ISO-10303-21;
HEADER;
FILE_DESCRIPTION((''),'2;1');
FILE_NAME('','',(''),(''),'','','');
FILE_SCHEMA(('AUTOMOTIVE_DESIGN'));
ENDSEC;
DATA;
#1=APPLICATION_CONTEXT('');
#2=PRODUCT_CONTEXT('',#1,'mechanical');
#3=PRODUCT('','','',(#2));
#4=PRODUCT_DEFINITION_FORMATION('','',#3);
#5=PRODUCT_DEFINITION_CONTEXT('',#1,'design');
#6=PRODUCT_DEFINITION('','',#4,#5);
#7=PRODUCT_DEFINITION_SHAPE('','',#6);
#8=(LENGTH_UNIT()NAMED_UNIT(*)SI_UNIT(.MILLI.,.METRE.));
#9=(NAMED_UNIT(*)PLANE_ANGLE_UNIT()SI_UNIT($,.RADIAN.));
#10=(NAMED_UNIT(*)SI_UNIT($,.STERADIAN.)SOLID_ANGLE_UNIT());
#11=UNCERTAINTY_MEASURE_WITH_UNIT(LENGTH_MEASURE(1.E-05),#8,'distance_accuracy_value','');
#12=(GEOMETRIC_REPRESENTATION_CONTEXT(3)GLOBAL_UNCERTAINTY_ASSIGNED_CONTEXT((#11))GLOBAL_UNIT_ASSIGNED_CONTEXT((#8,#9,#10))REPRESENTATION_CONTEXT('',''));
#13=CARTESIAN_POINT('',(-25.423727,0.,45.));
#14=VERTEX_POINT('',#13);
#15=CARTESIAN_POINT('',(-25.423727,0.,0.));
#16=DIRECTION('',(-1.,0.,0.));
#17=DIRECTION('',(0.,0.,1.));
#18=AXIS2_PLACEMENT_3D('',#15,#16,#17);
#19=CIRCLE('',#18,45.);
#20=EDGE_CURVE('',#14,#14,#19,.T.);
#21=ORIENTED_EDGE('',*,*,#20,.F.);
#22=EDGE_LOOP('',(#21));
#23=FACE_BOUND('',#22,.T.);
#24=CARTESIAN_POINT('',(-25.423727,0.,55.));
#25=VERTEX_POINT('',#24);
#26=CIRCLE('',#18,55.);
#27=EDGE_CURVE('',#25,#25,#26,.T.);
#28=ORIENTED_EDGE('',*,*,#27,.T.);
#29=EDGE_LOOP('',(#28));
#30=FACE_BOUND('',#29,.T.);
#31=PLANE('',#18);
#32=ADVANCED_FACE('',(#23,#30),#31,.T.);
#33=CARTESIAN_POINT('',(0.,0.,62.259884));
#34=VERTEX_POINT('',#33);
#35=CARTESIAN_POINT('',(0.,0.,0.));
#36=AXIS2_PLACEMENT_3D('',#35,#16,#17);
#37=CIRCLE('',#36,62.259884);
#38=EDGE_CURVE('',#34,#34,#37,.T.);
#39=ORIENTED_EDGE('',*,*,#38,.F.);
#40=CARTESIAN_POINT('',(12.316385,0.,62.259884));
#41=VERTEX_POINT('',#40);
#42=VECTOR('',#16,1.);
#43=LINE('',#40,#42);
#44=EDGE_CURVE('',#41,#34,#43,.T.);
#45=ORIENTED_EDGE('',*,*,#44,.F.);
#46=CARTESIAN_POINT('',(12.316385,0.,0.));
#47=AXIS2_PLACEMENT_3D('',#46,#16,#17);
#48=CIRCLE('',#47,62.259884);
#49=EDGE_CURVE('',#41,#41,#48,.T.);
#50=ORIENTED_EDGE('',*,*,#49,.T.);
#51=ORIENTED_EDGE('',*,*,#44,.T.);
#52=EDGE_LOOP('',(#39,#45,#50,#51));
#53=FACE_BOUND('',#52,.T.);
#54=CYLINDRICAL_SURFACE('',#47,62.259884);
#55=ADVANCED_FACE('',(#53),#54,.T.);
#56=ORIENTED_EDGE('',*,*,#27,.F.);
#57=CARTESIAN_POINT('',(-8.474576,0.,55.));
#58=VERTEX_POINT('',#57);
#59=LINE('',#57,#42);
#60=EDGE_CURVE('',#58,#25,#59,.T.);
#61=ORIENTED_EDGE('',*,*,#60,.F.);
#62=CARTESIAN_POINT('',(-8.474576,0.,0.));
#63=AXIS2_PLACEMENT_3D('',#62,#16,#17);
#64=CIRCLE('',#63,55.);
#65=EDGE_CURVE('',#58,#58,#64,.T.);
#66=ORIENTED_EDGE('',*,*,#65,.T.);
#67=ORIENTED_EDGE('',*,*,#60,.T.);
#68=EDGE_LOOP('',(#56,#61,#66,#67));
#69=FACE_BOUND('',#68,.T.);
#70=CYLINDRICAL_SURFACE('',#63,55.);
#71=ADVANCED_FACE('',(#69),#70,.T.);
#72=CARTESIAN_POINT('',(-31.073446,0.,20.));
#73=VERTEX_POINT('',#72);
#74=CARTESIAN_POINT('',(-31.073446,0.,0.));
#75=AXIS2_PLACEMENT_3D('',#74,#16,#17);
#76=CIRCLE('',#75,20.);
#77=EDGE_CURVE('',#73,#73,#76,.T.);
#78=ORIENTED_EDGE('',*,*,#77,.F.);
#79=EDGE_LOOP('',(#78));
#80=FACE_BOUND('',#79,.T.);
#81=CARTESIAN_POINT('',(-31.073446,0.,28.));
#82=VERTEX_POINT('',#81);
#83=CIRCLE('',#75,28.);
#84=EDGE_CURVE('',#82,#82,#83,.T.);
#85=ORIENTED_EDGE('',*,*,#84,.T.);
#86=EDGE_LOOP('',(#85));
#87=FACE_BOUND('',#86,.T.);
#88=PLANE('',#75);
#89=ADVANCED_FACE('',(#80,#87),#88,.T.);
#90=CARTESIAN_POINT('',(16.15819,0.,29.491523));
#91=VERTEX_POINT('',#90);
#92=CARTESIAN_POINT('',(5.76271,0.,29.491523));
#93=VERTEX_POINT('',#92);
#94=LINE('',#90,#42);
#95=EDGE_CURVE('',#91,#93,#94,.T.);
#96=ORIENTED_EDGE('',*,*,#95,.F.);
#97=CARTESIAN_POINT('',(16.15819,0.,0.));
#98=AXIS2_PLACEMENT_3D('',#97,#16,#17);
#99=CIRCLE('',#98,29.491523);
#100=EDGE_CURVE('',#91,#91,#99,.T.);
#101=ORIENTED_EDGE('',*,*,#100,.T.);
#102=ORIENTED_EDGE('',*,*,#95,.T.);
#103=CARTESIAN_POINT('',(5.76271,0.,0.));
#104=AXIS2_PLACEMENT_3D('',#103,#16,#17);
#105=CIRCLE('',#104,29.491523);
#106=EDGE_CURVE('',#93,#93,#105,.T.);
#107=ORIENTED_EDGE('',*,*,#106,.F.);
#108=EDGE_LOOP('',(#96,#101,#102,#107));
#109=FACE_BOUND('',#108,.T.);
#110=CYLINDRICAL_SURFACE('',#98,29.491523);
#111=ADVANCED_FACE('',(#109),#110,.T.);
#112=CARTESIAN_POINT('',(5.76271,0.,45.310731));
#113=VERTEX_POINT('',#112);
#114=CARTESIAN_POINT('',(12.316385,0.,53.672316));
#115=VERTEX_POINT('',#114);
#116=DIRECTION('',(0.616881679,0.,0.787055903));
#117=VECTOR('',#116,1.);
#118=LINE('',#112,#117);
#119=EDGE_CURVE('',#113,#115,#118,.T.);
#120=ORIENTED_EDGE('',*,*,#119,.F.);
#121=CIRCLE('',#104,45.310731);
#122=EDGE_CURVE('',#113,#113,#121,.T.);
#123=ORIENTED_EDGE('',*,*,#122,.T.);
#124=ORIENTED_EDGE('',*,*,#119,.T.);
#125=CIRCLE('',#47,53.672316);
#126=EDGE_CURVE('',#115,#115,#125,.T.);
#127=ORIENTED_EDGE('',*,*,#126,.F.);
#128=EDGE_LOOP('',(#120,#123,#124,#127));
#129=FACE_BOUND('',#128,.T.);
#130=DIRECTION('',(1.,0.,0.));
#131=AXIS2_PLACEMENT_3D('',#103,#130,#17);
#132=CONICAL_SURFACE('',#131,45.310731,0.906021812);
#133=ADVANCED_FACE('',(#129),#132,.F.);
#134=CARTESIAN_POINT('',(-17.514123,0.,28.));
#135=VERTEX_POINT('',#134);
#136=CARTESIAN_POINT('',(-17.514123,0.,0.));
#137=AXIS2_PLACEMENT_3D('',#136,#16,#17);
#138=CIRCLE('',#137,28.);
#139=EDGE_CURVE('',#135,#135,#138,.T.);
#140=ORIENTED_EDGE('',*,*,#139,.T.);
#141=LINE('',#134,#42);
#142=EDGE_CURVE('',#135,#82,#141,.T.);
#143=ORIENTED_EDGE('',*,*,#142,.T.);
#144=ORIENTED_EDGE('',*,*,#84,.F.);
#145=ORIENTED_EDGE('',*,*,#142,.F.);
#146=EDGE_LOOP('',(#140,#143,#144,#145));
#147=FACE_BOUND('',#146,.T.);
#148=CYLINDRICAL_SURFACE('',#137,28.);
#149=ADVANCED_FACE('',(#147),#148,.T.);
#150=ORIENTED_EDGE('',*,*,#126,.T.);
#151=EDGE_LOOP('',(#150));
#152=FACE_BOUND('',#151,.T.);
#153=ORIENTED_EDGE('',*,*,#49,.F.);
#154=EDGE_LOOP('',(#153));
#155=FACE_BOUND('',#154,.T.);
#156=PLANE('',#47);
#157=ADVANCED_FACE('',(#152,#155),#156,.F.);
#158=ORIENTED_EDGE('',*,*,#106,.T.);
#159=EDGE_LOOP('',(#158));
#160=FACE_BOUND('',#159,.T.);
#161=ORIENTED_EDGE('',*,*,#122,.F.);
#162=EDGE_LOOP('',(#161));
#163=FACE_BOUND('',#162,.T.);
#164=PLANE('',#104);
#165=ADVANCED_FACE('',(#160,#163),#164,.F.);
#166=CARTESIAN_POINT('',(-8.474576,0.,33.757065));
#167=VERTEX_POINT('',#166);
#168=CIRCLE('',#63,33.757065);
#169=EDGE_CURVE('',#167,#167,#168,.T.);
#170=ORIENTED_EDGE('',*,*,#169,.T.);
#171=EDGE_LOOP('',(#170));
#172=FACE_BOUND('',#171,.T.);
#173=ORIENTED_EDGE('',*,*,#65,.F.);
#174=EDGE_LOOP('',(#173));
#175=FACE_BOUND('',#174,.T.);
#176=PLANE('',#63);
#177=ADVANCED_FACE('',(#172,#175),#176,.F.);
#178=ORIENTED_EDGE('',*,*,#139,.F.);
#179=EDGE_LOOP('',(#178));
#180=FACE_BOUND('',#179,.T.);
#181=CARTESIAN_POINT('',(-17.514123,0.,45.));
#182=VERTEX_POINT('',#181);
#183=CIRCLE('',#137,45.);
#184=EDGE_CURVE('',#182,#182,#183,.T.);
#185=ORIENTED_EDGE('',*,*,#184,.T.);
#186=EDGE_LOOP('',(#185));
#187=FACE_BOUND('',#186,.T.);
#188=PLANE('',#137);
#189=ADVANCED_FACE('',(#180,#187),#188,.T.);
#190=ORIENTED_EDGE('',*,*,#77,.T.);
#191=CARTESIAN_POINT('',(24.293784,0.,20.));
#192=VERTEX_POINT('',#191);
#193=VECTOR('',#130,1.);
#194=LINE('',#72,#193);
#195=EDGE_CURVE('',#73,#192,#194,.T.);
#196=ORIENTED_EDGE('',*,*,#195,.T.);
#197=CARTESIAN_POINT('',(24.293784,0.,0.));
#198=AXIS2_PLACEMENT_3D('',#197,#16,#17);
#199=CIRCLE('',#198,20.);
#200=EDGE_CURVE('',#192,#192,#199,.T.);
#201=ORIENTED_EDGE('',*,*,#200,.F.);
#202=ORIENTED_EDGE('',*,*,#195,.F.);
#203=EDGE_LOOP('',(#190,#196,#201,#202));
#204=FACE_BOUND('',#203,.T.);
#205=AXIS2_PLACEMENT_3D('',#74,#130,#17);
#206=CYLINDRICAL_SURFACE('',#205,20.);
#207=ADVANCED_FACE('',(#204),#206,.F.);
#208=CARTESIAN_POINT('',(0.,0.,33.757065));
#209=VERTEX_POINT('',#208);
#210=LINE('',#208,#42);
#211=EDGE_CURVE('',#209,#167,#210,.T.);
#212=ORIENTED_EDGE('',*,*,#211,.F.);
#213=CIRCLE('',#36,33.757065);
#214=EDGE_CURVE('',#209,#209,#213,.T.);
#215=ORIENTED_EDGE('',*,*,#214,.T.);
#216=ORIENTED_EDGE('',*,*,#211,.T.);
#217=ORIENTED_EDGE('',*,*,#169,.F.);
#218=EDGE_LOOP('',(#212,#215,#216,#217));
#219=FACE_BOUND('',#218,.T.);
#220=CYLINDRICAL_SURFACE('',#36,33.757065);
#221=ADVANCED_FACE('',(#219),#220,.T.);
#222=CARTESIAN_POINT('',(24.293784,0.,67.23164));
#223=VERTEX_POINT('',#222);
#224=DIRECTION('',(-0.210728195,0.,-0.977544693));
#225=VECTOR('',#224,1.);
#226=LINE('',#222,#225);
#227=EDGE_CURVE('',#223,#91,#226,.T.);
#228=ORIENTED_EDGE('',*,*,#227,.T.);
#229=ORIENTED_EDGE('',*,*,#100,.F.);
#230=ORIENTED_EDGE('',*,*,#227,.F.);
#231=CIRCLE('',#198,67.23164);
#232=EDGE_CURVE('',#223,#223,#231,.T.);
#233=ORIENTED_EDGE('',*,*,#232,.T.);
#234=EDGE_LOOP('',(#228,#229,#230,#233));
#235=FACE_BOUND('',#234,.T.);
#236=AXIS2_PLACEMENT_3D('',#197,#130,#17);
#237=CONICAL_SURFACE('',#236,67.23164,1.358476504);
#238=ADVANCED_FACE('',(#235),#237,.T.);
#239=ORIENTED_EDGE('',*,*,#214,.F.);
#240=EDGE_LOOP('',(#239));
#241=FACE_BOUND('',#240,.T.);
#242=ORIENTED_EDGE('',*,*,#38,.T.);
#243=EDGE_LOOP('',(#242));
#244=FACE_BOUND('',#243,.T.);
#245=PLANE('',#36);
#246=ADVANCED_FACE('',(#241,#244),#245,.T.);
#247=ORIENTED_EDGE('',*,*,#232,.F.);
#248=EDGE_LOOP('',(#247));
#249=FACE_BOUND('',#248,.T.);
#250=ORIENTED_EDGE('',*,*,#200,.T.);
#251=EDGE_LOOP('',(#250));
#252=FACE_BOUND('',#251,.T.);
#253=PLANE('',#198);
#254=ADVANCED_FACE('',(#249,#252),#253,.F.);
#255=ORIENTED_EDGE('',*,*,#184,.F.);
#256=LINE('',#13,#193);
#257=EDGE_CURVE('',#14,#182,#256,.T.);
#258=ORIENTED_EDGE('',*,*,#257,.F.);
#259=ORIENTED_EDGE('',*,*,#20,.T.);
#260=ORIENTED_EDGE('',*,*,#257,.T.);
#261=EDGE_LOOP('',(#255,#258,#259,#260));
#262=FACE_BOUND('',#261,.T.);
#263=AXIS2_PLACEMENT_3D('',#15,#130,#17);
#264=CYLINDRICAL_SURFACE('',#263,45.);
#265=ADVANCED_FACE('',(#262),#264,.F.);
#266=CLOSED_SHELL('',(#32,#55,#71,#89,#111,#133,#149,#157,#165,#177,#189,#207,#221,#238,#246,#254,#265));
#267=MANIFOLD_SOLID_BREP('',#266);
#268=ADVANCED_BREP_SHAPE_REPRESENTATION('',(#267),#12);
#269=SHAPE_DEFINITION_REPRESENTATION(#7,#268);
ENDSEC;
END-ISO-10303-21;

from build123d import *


with BuildPart() as f1:
    # F0 (on Front) → F1 (revolve)
    with BuildSketch(Plane.XZ):
        Polygon((24.293784, 20), (24.293784, 67.23164), (16.15819, 29.491523), (5.76271, 29.491523), (5.76271, 45.310731), (12.316385, 53.672316), (12.316385, 62.259884), (0, 62.259884), (0, 33.757065), (-8.474576, 33.757065), (-8.474576, 55), (-25.423727, 55), (-25.423727, 45), (-17.514123, 45), (-17.514123, 28), (-31.073446, 28), (-31.073446, 20), align=None)
    revolve(axis=Axis((-41.186441, 0, 0), (-1, 0, 0)))


solid = f1.part
